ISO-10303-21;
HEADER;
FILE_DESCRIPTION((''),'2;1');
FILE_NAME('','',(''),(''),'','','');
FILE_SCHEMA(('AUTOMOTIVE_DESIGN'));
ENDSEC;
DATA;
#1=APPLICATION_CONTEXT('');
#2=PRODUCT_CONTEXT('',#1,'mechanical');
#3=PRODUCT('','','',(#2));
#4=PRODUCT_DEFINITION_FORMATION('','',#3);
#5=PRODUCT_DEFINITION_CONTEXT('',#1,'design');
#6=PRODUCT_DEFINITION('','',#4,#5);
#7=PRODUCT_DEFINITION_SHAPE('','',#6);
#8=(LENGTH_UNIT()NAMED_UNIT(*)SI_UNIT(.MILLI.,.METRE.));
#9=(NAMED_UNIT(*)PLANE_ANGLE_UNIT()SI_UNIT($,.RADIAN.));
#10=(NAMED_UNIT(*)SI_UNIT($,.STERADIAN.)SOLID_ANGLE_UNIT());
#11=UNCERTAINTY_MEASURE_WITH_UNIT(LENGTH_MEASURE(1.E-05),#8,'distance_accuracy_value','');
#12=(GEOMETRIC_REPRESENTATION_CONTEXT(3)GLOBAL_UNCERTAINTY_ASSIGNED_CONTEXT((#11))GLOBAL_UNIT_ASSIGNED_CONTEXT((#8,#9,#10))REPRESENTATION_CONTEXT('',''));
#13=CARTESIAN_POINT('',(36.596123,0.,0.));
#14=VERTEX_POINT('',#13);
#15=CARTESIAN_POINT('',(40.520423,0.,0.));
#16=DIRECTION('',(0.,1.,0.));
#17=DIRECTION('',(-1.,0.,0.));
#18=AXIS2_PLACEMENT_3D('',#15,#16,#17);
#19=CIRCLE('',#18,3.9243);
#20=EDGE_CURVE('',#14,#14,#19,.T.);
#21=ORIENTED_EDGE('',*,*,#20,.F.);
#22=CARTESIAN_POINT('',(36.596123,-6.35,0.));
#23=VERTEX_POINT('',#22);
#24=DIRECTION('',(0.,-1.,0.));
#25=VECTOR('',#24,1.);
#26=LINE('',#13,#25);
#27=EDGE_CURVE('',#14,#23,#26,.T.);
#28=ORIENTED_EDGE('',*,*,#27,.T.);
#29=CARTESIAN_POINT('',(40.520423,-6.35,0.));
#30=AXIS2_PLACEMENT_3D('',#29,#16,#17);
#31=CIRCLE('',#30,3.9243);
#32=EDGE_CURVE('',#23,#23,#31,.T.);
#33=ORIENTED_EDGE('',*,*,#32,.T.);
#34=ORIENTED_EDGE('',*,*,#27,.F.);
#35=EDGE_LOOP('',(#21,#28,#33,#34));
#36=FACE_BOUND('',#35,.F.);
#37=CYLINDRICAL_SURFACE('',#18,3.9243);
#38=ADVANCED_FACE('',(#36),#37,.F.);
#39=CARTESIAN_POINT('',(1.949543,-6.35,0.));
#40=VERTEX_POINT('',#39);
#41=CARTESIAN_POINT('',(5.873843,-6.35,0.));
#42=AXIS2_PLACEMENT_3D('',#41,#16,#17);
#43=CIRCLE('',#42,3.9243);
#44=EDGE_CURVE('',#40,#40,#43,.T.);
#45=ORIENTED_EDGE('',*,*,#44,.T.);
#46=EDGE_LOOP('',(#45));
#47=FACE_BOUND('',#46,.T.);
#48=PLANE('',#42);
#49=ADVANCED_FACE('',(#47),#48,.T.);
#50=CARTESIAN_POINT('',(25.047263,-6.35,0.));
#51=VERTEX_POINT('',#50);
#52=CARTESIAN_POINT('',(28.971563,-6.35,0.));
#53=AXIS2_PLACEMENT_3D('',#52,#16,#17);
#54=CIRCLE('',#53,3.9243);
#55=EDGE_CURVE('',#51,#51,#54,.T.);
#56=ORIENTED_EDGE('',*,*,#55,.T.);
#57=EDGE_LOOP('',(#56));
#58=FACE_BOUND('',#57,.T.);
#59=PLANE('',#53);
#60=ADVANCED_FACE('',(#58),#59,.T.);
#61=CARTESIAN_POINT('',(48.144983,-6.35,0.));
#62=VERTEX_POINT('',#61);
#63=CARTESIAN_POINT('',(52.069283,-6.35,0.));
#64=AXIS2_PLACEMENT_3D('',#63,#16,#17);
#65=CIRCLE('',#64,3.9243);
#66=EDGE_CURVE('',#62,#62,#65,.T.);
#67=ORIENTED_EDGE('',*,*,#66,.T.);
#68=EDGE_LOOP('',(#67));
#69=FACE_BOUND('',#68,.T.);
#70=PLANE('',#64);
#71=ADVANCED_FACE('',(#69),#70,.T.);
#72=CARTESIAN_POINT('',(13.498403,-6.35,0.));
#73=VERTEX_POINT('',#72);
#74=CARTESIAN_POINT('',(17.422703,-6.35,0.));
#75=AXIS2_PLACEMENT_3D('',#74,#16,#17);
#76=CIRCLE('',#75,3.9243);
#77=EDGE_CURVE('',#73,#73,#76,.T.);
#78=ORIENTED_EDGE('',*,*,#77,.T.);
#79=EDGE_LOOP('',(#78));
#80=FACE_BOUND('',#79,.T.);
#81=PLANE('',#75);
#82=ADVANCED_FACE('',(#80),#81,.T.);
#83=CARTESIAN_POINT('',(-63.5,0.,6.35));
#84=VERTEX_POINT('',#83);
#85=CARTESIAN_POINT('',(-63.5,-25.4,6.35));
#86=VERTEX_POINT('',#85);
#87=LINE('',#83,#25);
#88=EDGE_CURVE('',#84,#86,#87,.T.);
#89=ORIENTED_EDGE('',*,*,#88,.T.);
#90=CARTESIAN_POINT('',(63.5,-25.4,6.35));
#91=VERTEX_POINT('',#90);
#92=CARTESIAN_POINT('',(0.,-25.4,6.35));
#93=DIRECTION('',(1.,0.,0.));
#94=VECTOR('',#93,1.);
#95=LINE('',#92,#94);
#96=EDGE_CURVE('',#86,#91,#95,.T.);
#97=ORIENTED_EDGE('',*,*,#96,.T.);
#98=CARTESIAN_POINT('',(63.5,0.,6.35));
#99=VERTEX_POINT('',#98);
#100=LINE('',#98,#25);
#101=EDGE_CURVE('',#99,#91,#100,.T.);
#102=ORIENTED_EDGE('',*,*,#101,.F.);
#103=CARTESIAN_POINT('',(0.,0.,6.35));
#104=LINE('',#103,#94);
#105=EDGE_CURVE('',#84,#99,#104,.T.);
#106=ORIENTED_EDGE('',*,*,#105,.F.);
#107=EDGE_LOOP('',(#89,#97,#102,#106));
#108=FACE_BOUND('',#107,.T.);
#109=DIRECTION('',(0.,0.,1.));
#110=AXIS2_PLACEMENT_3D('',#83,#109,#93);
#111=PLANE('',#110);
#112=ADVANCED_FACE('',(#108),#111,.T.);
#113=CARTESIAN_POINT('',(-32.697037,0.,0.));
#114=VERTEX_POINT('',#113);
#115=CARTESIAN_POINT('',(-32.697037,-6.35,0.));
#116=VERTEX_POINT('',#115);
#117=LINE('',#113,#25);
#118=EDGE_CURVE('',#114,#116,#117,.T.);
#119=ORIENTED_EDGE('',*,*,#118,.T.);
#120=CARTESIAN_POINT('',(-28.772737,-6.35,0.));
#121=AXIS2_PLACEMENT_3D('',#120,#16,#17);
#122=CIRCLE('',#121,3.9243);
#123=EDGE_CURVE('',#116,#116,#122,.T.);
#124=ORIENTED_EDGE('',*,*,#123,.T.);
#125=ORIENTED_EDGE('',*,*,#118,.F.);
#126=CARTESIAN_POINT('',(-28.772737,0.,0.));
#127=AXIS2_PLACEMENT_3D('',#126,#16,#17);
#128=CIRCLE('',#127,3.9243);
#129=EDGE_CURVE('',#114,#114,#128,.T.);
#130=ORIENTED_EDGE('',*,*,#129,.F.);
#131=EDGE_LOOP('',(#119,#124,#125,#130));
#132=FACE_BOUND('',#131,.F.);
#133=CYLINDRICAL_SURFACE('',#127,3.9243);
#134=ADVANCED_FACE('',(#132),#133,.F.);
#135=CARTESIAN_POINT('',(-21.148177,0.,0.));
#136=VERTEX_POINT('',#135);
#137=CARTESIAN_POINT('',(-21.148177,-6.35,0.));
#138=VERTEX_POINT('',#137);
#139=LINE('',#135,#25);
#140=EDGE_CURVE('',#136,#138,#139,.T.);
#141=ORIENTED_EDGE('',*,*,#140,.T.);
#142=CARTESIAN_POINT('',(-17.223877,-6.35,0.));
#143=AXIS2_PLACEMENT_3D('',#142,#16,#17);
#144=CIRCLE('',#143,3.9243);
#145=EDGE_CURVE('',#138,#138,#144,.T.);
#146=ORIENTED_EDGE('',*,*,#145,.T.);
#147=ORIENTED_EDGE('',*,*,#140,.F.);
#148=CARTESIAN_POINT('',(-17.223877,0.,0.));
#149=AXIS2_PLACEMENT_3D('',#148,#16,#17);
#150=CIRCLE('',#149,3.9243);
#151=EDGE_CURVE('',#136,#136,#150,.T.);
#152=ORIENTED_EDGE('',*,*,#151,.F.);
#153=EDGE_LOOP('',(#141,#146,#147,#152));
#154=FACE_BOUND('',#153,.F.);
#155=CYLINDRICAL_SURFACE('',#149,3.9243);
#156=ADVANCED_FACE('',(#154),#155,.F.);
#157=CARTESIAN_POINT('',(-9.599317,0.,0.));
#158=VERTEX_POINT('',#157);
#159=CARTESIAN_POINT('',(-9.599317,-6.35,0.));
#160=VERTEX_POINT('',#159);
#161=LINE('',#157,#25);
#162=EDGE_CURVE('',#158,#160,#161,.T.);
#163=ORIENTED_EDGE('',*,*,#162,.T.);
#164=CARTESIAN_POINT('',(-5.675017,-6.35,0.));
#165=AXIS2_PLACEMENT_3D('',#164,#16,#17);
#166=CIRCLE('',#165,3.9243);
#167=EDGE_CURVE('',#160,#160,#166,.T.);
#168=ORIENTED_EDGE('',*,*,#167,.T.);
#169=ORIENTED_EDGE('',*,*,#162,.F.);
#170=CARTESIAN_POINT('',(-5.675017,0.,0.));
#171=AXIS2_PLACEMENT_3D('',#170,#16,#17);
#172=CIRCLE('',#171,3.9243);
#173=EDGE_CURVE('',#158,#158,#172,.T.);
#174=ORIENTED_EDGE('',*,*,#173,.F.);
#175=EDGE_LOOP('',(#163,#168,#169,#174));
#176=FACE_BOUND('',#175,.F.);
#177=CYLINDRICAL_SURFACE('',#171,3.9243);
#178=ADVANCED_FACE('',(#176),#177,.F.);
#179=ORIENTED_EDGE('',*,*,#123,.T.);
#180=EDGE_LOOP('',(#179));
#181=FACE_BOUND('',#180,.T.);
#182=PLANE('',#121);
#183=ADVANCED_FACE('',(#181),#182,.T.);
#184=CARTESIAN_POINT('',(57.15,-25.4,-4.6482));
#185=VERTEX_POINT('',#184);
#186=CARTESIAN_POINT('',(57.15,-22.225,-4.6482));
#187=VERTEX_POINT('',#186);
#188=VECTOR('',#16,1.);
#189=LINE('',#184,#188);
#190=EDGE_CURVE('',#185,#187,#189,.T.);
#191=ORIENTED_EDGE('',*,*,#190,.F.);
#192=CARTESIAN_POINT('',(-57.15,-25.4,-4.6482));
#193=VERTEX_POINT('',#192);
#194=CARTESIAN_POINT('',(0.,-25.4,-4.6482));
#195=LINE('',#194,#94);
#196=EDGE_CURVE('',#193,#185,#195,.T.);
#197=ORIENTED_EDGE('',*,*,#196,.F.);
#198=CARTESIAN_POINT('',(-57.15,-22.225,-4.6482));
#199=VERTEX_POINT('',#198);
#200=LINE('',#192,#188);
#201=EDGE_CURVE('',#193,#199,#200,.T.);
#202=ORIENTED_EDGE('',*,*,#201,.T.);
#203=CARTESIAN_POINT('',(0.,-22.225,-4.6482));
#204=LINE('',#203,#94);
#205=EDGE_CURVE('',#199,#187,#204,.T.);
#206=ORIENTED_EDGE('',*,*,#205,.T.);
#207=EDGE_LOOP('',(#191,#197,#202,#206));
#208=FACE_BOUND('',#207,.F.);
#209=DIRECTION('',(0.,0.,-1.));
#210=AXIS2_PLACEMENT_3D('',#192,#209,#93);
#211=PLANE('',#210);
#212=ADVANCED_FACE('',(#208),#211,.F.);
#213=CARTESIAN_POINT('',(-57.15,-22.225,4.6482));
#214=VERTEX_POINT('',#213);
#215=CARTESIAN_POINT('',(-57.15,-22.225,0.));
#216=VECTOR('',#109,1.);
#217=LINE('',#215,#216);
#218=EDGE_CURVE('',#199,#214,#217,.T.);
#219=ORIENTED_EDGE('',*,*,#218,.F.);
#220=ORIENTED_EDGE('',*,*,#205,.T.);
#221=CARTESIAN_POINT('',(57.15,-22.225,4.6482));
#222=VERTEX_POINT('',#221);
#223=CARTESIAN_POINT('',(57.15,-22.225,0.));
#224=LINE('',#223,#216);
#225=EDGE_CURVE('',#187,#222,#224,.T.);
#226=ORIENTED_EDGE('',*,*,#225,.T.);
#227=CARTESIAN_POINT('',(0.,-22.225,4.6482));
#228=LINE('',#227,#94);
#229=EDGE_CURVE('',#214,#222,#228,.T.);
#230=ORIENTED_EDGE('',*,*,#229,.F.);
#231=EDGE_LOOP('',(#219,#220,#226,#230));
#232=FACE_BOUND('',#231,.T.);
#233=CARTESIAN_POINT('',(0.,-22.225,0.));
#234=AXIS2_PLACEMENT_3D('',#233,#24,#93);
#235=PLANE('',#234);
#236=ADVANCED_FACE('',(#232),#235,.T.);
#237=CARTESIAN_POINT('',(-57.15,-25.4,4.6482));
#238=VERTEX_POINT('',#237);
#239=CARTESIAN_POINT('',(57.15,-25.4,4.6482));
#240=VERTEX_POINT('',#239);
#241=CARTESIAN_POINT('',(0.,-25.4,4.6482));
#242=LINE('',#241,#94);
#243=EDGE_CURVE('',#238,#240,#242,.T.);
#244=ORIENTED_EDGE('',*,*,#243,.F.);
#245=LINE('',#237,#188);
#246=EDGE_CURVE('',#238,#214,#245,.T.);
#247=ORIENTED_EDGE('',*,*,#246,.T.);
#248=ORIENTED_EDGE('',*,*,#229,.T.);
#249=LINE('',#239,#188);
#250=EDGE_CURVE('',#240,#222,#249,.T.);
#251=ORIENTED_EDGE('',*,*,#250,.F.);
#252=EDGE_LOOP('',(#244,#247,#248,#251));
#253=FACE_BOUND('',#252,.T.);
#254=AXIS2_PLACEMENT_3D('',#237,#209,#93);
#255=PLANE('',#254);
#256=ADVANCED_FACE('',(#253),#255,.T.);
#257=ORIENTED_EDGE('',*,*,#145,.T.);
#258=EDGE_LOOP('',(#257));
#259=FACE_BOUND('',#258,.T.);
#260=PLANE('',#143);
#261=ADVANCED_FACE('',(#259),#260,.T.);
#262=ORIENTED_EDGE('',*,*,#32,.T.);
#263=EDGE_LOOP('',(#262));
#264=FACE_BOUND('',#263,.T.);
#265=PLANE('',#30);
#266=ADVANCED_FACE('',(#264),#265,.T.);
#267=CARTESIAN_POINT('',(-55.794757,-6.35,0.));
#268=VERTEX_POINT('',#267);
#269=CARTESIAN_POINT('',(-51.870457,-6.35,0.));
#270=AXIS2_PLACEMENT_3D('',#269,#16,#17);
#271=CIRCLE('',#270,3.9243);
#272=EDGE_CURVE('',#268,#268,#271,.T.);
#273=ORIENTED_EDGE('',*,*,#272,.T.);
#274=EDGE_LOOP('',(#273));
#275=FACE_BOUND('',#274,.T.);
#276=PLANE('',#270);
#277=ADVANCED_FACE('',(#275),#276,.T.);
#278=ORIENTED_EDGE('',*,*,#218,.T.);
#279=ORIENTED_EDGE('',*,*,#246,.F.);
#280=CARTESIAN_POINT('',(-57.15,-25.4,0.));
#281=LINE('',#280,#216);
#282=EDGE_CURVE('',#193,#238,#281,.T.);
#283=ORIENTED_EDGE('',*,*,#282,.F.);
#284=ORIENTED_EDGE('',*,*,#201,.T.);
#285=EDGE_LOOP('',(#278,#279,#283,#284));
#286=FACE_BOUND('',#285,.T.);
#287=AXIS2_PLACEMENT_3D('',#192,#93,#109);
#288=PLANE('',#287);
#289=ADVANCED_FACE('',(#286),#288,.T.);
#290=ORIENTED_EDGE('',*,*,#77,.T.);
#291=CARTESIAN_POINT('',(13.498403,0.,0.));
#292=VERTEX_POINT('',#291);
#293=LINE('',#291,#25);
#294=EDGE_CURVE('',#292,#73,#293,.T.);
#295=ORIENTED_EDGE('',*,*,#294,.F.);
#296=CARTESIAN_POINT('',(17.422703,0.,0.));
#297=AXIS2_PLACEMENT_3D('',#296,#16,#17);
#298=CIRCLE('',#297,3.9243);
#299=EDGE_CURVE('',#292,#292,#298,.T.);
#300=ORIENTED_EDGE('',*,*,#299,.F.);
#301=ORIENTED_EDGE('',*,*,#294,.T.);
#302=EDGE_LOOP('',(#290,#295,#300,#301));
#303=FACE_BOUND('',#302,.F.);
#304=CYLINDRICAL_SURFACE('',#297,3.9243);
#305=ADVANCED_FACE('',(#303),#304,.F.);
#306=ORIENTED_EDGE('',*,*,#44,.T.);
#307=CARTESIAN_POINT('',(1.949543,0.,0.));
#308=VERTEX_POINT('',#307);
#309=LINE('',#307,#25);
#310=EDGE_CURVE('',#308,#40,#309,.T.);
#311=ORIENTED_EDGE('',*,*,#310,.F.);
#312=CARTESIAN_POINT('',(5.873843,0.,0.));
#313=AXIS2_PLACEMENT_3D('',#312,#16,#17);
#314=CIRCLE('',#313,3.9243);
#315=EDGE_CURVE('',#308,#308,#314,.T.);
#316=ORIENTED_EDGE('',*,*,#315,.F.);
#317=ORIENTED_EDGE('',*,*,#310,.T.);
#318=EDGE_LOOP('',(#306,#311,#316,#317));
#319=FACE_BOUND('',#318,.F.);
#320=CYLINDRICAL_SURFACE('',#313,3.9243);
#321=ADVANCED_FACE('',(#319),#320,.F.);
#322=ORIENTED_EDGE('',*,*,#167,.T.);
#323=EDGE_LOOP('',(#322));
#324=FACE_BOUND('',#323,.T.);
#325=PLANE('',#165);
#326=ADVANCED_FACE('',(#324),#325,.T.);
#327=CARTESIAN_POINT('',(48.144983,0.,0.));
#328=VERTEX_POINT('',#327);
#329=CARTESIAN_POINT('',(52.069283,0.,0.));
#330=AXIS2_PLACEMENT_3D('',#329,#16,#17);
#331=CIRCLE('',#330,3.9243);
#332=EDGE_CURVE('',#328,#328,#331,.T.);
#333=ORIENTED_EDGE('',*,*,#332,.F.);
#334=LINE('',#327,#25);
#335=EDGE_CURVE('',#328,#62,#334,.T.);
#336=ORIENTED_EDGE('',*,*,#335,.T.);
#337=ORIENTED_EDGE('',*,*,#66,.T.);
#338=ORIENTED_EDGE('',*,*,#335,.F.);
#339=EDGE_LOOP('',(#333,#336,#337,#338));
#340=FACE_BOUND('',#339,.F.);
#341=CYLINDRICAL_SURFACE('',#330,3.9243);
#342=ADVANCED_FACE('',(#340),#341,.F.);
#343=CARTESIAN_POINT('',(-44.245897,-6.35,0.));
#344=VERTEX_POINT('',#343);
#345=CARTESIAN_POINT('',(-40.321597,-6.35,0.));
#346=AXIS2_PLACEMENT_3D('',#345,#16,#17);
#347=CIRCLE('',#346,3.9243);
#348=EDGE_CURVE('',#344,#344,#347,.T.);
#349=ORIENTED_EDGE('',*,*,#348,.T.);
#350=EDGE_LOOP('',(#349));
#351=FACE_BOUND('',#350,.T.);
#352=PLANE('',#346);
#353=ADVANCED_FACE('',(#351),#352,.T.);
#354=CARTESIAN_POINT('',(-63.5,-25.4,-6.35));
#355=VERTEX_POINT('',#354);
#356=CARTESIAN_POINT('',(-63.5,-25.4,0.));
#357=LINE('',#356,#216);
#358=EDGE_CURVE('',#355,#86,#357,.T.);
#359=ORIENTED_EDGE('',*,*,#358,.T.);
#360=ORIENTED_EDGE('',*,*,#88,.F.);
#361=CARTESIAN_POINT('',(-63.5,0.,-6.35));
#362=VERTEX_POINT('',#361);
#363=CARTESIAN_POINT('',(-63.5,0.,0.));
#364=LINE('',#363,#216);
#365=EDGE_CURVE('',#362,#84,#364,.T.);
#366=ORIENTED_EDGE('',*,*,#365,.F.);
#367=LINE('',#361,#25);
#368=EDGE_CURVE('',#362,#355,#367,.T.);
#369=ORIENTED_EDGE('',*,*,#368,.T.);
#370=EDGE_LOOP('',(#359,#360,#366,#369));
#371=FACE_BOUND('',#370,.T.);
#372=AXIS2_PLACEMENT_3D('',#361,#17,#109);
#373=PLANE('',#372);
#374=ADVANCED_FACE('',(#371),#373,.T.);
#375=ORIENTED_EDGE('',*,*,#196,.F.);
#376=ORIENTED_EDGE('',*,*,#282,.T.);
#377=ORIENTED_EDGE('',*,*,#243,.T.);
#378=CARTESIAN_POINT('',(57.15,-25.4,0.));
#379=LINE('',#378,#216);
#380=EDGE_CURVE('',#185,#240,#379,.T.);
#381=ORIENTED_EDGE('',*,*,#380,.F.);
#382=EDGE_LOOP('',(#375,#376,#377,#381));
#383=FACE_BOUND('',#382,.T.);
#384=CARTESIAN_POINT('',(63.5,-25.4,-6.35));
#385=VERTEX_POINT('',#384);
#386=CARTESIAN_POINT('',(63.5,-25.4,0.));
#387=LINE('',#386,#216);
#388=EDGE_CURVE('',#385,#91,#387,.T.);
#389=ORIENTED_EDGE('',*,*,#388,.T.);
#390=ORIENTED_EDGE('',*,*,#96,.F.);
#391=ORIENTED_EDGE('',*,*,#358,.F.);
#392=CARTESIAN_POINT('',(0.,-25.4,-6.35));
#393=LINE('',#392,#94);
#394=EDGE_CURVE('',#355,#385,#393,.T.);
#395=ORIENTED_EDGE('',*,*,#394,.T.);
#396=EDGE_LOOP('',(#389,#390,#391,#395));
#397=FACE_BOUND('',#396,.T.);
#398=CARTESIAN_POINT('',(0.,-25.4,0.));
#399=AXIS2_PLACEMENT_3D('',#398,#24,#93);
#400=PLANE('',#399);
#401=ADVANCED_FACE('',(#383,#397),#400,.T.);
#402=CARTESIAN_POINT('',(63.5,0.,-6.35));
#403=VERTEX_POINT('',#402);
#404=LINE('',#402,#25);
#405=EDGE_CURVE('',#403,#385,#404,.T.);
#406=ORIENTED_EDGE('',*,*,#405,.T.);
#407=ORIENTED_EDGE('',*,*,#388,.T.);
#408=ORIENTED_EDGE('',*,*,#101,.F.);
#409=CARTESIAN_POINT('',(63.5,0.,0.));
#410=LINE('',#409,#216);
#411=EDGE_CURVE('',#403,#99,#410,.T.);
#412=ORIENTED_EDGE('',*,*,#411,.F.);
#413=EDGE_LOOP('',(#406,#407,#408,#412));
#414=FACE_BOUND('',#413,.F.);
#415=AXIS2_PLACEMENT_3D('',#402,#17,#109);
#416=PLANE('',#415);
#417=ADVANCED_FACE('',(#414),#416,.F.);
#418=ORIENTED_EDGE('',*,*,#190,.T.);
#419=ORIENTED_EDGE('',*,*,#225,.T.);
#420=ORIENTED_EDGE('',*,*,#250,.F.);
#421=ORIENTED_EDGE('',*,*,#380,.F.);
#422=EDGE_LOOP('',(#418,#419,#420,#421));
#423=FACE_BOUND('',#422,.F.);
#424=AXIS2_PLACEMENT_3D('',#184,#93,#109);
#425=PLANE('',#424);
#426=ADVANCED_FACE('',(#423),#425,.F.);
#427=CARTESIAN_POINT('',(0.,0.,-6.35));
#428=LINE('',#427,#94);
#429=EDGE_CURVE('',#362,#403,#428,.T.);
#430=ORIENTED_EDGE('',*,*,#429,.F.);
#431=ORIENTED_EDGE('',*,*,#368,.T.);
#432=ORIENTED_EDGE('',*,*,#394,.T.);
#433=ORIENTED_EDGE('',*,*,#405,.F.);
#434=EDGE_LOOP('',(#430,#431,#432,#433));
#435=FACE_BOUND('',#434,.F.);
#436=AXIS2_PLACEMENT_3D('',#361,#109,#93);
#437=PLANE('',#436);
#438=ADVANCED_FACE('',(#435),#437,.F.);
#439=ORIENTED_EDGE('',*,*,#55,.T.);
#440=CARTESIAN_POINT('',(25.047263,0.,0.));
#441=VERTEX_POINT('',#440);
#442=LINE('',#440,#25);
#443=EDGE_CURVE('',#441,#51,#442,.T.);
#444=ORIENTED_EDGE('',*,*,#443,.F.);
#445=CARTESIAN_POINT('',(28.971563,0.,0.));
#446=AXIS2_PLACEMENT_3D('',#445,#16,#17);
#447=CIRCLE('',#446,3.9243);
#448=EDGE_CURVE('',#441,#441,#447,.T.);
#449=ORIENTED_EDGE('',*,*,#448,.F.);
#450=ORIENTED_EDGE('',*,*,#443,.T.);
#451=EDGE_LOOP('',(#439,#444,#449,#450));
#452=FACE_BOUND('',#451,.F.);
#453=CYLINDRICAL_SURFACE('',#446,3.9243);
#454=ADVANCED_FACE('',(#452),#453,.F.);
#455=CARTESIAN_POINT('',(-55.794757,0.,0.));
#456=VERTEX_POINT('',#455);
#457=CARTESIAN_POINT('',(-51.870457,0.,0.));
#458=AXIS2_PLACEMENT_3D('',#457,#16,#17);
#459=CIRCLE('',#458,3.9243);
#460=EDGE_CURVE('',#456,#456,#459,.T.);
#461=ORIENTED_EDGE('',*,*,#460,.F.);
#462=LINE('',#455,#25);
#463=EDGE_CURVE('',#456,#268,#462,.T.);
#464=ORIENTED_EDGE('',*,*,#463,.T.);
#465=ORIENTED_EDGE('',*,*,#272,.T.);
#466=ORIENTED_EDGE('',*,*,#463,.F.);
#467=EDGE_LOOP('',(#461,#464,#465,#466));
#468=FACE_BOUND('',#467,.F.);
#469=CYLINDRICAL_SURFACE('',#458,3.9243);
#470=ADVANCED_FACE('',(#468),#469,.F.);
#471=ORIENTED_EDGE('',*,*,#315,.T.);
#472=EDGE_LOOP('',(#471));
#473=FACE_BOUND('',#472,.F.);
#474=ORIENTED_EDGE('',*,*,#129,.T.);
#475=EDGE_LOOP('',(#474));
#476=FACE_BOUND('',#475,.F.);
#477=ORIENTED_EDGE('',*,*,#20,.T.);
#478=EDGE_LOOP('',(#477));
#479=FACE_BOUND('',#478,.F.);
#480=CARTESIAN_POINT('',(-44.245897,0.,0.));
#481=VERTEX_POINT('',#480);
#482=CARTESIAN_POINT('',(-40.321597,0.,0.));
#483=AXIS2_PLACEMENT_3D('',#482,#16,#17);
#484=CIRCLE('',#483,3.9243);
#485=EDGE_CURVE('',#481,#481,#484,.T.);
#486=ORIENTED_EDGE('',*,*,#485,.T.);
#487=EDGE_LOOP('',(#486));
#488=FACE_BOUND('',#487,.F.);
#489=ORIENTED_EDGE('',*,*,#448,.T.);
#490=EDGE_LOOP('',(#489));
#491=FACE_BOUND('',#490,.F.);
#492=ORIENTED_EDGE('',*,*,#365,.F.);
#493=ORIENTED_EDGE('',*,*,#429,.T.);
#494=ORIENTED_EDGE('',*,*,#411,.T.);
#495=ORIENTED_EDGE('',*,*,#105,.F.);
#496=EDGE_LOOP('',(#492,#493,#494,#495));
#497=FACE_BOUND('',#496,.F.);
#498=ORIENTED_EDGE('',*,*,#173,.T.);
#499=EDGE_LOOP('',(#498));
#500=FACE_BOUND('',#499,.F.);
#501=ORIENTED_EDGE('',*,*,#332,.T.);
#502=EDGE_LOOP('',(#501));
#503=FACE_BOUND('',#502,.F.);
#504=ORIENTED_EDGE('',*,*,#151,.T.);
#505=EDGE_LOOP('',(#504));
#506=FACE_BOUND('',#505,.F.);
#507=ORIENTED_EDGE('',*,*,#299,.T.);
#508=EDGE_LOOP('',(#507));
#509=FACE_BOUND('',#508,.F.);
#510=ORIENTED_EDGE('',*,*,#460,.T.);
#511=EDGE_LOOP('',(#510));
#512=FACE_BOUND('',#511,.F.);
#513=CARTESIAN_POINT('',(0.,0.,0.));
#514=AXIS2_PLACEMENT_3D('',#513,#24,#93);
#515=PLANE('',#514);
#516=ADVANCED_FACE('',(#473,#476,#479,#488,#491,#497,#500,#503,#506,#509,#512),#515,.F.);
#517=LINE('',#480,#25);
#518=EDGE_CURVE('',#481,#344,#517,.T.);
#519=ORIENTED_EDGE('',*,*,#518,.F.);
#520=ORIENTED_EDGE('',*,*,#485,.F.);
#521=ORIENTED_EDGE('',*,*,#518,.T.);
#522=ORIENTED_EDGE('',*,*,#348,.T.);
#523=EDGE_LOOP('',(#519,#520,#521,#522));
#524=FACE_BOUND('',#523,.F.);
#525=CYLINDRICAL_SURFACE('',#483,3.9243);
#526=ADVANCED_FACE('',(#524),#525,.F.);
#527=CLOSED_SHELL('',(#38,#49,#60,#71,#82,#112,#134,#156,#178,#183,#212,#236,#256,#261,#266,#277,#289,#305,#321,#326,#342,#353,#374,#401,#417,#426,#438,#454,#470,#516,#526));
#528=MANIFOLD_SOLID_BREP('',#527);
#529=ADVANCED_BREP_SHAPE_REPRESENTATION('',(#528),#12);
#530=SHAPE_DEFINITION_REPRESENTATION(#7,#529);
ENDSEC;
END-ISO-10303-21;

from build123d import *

# Parameters (mm, degrees)
F0_W     = 127
F0_H     = 12.7
F1_DEPTH = 25.4
F2_R     = 3.9243
F3_DEPTH = 6.35
F4_W     = 114.3
F4_H     = 9.2964
F5_DEPTH = 3.175


with BuildPart() as f1:
    # F0 (on Front) → F1 (new body)
    with BuildSketch(Plane.XZ):
        Rectangle(F0_W, F0_H)
    extrude(amount=F1_DEPTH)

    # F2 (on face) → F3 (cut)
    with BuildSketch(Plane(origin=(0, 0, 0), x_dir=(-1, 0, 0), z_dir=(0, 1, 0))):
        with Locations((40.321597, 0)):
            Circle(F2_R)
        with Locations((-52.069283, 0)):
            Circle(F2_R)
        with Locations((-40.520423, 0)):
            Circle(F2_R)
        with Locations((-28.971563, 0)):
            Circle(F2_R)
        with Locations((-17.422703, 0)):
            Circle(F2_R)
        with Locations((-5.873843, 0)):
            Circle(F2_R)
        with Locations((5.675017, 0)):
            Circle(F2_R)
        with Locations((17.223877, 0)):
            Circle(F2_R)
        with Locations((28.772737, 0)):
            Circle(F2_R)
        with Locations((51.870457, 0)):
            Circle(F2_R)
    extrude(amount=-F3_DEPTH, mode=Mode.SUBTRACT)

    # F4 (on face) → F5 (cut)
    with BuildSketch(Plane.XZ.offset(25.4)):
        Rectangle(F4_W, F4_H)
    extrude(amount=-F5_DEPTH, mode=Mode.SUBTRACT)


solid = f1.part
